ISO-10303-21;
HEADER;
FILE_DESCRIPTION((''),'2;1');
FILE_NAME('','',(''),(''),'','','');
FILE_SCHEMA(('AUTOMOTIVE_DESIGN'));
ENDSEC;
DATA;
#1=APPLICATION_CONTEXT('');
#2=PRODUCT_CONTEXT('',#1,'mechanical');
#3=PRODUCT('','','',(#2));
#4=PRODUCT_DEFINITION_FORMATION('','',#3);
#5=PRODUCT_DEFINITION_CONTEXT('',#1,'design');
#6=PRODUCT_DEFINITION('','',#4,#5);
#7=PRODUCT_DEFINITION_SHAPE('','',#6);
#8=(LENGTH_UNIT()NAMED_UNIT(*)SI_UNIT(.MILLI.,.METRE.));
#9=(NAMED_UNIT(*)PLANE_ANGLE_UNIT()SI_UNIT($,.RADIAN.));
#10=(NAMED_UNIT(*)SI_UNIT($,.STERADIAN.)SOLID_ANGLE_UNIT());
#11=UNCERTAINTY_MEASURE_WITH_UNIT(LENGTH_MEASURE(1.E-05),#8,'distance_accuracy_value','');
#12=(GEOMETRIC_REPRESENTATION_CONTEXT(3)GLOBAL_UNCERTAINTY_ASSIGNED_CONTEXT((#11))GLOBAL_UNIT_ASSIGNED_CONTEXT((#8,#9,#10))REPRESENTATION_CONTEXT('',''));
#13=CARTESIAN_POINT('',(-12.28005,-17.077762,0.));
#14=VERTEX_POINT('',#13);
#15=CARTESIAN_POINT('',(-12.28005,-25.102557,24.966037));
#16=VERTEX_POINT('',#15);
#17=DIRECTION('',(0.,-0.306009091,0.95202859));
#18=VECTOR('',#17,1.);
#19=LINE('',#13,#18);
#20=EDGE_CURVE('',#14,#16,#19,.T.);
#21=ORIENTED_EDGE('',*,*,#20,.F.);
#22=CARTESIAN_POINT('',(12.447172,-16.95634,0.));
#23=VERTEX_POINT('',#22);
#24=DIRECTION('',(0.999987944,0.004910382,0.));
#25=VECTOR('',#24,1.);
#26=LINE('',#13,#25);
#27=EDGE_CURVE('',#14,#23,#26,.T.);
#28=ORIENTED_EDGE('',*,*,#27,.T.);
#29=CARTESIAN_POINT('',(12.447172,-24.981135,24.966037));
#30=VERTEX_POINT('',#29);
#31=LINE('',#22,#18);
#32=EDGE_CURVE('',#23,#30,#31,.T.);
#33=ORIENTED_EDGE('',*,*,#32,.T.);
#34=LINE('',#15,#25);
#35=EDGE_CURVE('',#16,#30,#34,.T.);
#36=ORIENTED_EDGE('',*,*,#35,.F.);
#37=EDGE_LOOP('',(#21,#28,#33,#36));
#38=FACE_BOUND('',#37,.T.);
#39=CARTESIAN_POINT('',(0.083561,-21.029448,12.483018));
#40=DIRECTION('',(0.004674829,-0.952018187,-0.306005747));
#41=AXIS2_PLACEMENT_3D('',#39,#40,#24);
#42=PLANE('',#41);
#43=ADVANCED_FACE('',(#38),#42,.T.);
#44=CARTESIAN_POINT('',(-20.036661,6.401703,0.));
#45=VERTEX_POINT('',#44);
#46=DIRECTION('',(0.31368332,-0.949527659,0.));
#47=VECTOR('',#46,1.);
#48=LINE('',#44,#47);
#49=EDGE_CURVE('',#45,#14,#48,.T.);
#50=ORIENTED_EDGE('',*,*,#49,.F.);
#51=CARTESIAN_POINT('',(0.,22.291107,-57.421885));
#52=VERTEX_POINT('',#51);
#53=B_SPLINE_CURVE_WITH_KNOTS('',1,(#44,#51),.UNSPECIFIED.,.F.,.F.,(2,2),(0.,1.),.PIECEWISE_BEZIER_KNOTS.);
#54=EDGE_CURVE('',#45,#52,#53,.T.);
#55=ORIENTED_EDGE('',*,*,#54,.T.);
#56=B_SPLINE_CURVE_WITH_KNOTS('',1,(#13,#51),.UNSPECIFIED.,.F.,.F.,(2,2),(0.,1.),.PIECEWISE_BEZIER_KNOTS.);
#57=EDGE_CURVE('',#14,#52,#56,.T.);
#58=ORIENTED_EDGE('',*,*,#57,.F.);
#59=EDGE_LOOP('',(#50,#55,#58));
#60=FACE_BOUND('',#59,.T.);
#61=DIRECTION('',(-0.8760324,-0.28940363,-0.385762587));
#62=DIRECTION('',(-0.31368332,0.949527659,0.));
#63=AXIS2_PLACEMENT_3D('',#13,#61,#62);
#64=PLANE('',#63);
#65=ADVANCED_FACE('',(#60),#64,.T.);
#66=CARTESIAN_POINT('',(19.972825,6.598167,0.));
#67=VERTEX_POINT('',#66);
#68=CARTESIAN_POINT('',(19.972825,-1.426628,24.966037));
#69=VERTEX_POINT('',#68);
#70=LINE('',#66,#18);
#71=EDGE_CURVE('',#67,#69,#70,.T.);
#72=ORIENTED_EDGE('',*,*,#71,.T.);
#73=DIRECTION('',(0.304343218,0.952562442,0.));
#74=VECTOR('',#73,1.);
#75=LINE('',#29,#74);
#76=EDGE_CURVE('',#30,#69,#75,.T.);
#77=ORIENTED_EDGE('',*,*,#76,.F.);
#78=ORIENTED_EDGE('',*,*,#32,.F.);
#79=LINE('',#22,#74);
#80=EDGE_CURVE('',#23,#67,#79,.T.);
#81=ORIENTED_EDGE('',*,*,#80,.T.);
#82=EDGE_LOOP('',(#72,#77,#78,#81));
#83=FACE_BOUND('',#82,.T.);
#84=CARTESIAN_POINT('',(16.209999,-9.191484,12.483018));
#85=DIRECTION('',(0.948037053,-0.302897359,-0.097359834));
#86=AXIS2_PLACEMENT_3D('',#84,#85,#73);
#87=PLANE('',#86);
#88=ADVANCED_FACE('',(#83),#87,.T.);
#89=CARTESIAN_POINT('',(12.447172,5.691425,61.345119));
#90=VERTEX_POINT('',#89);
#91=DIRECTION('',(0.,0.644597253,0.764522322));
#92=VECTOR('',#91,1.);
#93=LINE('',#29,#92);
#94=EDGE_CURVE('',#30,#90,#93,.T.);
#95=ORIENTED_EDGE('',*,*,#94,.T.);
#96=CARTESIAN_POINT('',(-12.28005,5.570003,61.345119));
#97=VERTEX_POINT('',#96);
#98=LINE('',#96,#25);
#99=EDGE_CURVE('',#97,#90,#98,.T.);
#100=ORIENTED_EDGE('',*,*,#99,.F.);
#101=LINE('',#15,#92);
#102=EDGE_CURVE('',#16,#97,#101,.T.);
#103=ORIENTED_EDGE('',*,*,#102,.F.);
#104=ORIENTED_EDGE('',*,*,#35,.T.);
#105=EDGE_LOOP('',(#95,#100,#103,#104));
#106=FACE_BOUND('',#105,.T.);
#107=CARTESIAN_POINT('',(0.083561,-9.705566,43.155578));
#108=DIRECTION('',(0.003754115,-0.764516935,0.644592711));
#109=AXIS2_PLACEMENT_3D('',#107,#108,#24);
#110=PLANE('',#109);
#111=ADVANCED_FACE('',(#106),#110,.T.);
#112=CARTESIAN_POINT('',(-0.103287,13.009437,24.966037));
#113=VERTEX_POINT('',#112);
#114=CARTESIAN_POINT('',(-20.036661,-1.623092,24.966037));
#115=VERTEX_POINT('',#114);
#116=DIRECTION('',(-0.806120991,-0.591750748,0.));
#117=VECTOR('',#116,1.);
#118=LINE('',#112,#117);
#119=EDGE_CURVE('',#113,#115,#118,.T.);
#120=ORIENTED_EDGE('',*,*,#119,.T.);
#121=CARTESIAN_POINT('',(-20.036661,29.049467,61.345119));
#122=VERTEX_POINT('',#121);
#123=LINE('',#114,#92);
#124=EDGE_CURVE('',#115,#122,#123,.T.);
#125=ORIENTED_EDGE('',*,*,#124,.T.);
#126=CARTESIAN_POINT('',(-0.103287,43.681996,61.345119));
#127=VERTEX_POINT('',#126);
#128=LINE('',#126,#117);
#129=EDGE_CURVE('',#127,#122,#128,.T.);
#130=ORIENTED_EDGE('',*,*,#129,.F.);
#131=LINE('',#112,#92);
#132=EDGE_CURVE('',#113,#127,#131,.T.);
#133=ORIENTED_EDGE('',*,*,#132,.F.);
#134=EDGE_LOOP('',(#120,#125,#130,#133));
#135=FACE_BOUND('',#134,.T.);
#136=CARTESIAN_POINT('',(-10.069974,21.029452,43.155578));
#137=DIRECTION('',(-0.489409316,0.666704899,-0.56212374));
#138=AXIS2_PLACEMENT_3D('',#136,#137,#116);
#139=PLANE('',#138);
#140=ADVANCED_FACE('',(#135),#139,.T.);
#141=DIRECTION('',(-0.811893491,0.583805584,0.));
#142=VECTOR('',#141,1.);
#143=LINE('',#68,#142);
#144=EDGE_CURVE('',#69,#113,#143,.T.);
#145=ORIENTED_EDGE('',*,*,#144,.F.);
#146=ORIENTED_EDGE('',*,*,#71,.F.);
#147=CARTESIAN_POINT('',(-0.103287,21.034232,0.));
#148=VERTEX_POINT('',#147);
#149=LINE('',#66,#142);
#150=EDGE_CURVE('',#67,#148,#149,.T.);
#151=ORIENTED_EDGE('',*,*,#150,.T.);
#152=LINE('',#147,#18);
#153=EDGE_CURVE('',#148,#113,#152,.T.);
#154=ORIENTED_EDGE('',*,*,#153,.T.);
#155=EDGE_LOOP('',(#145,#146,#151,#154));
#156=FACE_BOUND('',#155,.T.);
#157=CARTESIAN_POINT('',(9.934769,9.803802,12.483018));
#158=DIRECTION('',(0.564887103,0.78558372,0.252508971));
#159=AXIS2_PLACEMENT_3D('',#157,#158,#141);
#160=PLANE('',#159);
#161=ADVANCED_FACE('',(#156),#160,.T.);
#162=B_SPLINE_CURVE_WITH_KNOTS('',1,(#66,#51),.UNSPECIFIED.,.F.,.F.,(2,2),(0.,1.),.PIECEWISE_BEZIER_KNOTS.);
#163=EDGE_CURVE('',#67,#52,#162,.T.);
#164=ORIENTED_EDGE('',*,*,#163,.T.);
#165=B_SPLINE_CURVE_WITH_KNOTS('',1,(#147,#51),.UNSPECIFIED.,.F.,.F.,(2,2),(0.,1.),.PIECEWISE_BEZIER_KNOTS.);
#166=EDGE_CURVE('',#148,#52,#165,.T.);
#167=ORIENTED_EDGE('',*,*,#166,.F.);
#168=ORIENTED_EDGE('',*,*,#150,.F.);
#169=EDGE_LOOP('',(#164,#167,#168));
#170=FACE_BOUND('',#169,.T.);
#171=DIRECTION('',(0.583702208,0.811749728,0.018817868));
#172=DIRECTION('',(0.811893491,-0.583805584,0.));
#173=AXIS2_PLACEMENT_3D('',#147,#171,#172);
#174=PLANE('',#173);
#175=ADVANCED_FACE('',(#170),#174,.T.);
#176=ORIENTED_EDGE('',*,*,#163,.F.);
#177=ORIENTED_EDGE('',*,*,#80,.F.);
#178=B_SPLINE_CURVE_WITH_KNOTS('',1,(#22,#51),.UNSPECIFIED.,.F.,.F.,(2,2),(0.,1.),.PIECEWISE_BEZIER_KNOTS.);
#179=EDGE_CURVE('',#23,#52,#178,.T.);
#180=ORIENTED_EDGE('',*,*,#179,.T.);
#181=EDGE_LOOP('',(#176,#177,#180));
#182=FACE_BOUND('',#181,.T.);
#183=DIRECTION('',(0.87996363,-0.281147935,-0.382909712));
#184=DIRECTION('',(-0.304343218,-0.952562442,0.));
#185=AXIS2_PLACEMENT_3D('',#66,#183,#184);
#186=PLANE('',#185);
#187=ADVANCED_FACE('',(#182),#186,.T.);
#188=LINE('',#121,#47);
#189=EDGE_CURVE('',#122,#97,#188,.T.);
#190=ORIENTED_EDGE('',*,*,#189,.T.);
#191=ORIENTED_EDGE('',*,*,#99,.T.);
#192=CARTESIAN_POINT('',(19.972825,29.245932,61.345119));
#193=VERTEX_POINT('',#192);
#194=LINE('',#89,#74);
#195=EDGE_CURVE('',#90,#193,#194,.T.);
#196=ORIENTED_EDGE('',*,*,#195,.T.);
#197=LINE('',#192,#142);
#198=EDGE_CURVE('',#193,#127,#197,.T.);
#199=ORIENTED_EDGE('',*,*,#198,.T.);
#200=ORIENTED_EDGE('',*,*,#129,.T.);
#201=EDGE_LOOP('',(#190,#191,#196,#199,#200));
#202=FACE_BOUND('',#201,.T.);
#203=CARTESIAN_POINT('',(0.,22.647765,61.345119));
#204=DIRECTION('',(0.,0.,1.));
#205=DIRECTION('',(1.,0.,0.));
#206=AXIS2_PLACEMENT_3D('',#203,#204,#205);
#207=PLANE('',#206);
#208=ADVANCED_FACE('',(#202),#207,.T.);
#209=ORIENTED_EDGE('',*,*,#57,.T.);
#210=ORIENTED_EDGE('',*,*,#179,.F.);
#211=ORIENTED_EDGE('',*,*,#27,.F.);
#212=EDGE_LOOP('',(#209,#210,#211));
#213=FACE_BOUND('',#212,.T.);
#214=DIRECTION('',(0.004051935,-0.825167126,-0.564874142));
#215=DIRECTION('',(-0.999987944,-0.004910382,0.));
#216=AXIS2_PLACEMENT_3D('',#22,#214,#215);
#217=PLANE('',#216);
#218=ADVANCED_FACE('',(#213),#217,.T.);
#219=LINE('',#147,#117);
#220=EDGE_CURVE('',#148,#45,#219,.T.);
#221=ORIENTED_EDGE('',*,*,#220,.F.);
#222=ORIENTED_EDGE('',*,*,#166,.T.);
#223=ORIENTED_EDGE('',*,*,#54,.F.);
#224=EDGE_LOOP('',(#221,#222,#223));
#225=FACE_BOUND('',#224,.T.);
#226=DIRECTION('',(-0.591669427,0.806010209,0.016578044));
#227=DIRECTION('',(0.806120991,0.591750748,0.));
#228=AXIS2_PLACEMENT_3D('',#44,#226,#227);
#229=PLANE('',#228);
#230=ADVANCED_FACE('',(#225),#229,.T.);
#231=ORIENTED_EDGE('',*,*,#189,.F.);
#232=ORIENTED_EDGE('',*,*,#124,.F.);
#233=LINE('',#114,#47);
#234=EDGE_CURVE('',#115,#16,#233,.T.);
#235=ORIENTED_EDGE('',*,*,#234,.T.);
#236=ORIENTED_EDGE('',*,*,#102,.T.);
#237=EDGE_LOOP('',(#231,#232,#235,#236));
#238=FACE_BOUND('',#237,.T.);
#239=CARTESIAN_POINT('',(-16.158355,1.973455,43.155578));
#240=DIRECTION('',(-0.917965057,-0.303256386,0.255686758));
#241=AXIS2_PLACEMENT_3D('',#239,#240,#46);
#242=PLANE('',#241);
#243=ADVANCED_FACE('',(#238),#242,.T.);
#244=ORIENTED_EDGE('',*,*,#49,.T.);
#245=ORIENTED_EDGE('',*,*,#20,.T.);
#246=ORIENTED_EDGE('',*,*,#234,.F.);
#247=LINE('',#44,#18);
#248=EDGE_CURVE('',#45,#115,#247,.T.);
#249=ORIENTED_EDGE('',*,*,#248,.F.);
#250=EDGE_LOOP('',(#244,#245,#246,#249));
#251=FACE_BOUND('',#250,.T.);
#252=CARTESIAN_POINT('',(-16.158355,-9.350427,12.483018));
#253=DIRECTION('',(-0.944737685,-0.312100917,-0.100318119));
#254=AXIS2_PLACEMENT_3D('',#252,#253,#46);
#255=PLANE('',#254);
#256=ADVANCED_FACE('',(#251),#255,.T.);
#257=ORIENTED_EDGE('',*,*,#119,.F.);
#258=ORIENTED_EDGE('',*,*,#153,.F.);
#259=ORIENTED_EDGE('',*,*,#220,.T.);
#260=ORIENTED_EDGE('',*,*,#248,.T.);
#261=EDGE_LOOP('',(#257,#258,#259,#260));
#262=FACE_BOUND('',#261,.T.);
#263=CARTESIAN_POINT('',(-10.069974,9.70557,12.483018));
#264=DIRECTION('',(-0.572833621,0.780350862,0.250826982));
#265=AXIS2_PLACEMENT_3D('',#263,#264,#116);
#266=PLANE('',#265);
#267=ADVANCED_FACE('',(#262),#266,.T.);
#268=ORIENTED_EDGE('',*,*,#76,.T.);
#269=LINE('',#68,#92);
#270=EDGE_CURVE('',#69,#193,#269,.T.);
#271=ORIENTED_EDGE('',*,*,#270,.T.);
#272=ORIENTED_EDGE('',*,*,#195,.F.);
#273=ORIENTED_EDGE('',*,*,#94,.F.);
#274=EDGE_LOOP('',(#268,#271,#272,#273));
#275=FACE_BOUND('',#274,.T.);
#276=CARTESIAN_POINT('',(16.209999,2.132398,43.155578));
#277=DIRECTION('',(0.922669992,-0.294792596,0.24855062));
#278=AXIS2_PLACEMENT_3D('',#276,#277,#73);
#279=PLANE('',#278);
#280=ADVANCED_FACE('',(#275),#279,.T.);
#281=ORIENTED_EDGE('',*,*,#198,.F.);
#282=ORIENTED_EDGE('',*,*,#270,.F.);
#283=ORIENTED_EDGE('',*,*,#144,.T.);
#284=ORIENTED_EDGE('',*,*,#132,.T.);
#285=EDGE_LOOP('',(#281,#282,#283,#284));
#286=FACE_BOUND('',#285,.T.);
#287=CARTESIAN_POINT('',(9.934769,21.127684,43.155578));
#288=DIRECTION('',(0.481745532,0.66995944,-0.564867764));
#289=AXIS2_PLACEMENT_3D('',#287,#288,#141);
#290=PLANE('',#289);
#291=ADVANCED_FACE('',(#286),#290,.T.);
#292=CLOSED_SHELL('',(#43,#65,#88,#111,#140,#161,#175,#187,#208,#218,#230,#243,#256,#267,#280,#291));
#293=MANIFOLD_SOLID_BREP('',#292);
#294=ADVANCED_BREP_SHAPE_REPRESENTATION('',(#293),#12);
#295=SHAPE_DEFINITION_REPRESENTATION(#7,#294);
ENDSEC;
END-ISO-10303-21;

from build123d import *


with BuildPart() as f2:
    # F2: sweep along a path in F1
    with BuildLine(Plane.YZ) as f2_path:
        Line((0, 0), (-8.0247949809, 24.9660369009))
    # F0 (on Top) → F2 (sweep)
    with BuildSketch(Plane.XY):
        Polygon((-0.1032873551, 21.0342315395), (-20.0366605189, 6.4017028972), (-12.2800498667, -17.0777615631), (12.4471723178, -16.956339995), (19.9728254229, 6.5981671214), align=None)
    sweep(path=f2_path.line)

    # F3: sweep along a path in F1
    with BuildLine(Plane.YZ) as f3_path:
        Line((-8.0247949809, 24.9660369009), (22.6477645338, 61.3451190293))
    # F2_face (on face) → F3 (sweep)
    with BuildSketch(Plane(origin=(0, -8.0247949809, 24.9660369009), x_dir=(1, 0, 0), z_dir=(0, 0, 1))):
        Polygon((12.4471723178, -16.956339995), (19.9728254229, 6.5981671214), (-0.1032873551, 21.0342315395), (-20.0366605189, 6.4017028972), (-12.2800498667, -17.0777615631), align=None)
    sweep(path=f3_path.line)

    # F2_face1 (on face) → F4 section 0
    with BuildSketch(Plane(origin=(0, 0, 0), x_dir=(1, 0, 0), z_dir=(0, 0, -1)), mode=Mode.PRIVATE) as f4_s0:
        Polygon((19.9728254229, -6.5981671214), (12.4471723178, 16.956339995), (-12.2800498667, 17.0777615631), (-20.0366605189, -6.4017028972), (-0.1032873551, -21.0342315395), align=None)
    loft([f4_s0.sketch, Vertex(0, 22.2911071032, -57.4218854308)])


solid = f2.part
